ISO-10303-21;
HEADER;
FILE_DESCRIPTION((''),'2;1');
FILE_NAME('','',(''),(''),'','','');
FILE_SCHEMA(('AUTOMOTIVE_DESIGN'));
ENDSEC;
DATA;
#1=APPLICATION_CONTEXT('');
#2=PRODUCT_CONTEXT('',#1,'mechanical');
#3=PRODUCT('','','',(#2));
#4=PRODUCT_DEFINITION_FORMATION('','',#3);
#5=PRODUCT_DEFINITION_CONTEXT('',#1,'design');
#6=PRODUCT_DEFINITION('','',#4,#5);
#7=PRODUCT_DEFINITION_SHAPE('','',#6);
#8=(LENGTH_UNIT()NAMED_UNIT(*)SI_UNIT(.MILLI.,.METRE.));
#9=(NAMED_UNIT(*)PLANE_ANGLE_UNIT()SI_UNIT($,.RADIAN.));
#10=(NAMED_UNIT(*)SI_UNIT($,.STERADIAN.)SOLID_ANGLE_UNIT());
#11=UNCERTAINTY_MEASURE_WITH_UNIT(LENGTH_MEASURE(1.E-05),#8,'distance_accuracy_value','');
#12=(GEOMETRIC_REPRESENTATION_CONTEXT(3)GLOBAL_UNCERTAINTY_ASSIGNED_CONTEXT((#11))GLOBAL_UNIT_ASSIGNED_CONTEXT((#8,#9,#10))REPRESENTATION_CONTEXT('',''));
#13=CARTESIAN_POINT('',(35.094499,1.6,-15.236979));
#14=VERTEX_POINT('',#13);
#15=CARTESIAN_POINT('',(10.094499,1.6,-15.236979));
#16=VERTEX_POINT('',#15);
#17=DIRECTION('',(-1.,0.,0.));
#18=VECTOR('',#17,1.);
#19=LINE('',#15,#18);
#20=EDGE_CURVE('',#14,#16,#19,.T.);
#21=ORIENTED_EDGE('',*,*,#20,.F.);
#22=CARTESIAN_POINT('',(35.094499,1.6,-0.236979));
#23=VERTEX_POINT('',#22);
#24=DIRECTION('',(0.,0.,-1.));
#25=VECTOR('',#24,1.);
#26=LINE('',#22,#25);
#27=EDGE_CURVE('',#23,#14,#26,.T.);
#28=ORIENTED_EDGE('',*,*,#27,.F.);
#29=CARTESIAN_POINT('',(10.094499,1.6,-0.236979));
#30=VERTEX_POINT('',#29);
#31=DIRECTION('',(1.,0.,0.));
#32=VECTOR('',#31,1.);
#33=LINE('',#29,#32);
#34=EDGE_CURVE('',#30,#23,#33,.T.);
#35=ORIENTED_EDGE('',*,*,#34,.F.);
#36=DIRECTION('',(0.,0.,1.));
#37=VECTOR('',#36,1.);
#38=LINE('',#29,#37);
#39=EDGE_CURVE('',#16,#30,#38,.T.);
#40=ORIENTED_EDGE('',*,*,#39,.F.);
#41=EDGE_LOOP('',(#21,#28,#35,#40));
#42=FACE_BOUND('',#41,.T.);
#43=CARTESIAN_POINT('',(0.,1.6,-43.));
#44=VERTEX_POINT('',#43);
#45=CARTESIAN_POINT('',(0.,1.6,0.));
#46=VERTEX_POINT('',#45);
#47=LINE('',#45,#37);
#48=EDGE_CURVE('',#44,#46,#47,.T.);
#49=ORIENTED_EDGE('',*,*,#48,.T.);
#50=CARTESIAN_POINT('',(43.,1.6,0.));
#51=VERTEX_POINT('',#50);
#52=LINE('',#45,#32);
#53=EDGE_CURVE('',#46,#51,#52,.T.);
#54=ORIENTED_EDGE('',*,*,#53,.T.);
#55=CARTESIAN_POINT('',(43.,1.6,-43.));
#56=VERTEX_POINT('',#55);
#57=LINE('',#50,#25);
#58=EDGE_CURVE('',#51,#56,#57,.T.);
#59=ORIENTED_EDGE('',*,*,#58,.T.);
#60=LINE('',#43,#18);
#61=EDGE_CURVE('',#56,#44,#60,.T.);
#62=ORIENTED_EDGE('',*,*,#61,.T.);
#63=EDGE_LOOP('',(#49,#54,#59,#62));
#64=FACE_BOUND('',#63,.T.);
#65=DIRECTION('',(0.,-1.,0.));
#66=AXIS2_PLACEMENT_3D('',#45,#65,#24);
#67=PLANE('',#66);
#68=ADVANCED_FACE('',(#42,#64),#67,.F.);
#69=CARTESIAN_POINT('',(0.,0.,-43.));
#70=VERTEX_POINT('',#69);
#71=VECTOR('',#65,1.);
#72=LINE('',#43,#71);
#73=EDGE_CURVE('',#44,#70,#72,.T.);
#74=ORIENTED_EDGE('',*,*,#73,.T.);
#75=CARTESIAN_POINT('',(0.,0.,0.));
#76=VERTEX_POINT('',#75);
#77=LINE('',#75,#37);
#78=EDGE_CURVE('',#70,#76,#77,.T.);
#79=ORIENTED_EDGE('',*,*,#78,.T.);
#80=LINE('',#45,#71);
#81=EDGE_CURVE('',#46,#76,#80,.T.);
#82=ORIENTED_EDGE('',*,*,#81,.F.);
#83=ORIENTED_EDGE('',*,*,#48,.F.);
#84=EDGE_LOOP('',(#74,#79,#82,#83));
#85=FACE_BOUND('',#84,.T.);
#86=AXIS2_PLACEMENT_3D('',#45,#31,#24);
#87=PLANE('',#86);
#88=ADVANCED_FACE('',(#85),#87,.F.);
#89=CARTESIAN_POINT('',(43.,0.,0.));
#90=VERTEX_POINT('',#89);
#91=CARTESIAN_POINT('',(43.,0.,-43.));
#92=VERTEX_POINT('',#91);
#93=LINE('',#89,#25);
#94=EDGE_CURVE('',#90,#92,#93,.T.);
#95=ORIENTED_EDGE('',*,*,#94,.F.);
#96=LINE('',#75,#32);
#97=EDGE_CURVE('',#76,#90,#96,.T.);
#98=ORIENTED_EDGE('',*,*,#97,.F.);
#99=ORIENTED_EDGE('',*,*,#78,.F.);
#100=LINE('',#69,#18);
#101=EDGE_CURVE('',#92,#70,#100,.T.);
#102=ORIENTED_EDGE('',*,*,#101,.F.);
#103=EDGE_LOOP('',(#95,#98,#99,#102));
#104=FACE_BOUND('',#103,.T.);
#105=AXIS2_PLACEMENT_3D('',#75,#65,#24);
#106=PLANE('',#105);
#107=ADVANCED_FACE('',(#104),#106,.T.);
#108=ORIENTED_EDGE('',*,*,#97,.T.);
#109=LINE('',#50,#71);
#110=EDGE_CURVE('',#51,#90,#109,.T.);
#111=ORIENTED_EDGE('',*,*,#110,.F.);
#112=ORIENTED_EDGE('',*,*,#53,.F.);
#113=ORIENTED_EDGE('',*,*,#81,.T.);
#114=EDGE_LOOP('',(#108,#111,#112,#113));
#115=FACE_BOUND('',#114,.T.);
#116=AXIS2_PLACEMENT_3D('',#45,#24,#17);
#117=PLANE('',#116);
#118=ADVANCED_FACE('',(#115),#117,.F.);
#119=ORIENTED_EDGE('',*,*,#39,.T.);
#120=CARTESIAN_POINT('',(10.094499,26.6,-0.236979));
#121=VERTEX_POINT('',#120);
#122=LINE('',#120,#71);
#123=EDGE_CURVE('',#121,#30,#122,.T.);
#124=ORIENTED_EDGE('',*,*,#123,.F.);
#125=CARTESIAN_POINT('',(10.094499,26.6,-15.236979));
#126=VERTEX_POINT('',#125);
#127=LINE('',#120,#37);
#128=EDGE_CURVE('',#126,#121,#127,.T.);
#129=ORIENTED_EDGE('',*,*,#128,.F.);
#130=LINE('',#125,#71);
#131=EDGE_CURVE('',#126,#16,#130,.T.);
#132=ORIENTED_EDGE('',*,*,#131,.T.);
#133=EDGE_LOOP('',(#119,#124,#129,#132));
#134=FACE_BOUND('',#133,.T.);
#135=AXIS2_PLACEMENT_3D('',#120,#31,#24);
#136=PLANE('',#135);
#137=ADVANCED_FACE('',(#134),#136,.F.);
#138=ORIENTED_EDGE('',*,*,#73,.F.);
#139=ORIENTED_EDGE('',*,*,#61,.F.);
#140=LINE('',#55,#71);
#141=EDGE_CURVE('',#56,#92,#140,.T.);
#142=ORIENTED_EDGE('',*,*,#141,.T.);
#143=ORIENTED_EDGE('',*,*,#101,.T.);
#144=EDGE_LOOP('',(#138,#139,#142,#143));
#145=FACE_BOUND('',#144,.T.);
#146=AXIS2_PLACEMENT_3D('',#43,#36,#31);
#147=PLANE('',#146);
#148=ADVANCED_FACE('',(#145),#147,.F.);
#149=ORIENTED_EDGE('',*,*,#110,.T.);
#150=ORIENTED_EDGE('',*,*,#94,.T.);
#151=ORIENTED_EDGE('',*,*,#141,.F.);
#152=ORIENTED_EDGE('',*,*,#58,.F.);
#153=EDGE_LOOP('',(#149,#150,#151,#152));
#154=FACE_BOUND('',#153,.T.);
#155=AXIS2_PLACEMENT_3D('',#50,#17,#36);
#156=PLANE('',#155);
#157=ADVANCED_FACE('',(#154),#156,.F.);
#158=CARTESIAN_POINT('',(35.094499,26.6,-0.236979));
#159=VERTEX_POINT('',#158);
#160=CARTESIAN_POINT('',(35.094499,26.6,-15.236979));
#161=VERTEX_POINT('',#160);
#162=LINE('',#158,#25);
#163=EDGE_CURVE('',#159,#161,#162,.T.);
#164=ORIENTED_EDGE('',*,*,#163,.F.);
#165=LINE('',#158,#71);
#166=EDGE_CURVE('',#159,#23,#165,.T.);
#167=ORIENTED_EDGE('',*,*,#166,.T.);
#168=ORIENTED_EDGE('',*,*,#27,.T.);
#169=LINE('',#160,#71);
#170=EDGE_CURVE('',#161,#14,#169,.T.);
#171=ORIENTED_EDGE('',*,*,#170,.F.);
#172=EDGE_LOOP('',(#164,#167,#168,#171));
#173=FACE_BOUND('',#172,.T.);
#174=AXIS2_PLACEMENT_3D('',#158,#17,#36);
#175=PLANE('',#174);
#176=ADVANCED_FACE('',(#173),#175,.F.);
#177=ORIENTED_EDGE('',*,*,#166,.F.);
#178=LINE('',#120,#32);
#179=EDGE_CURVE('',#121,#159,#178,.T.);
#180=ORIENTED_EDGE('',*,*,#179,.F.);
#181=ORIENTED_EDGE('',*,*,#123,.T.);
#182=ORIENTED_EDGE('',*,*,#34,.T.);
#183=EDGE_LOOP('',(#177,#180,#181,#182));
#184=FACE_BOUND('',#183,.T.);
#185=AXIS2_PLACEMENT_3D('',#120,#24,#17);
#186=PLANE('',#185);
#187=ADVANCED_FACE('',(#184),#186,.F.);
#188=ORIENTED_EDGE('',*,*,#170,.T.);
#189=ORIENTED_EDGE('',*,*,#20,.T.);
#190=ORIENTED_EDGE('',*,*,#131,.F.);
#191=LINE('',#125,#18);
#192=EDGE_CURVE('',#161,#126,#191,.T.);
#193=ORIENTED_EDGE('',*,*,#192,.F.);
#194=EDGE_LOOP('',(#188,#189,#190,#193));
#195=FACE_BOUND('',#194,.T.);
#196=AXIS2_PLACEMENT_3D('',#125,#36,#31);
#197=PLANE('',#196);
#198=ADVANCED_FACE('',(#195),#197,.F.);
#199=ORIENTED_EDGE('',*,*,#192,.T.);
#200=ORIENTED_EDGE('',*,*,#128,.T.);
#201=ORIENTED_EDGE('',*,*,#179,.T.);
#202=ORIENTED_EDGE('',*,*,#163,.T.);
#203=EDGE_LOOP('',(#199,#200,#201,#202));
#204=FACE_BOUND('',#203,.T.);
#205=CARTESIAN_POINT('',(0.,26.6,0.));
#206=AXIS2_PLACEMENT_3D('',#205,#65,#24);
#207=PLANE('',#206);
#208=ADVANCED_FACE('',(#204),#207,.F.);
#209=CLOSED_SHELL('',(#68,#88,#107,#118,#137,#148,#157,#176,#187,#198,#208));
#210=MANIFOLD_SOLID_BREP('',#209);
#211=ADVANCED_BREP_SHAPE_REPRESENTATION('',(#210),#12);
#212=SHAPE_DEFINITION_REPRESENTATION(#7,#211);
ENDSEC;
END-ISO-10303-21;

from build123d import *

# Parameters (mm, degrees)
SKETCH1_W           = 43
SKETCH1_H           = 43
BOSS_EXTRUDE1_DEPTH = 1.6
SKETCH2_W           = 25
SKETCH2_H           = 15
BOSS_EXTRUDE2_DEPTH = 25


with BuildPart() as part:
    # Sketch1 → Boss-Extrude1 (new body)
    with BuildSketch(Plane(origin=(0, 0, 0), x_dir=(1, 0, 0), z_dir=(0, 1, 0))):
        with Locations((21.5, 21.5)):
            Rectangle(SKETCH1_W, SKETCH1_H)
    extrude(amount=BOSS_EXTRUDE1_DEPTH)

    # Sketch2 → Boss-Extrude2 (add)
    with BuildSketch(Plane(origin=(0, 1.6, 0), x_dir=(1, 0, 0), z_dir=(0, 1, 0))):
        with Locations((22.594499084, 7.736979321)):
            Rectangle(SKETCH2_W, SKETCH2_H)
    extrude(amount=BOSS_EXTRUDE2_DEPTH)


solid = part.part
